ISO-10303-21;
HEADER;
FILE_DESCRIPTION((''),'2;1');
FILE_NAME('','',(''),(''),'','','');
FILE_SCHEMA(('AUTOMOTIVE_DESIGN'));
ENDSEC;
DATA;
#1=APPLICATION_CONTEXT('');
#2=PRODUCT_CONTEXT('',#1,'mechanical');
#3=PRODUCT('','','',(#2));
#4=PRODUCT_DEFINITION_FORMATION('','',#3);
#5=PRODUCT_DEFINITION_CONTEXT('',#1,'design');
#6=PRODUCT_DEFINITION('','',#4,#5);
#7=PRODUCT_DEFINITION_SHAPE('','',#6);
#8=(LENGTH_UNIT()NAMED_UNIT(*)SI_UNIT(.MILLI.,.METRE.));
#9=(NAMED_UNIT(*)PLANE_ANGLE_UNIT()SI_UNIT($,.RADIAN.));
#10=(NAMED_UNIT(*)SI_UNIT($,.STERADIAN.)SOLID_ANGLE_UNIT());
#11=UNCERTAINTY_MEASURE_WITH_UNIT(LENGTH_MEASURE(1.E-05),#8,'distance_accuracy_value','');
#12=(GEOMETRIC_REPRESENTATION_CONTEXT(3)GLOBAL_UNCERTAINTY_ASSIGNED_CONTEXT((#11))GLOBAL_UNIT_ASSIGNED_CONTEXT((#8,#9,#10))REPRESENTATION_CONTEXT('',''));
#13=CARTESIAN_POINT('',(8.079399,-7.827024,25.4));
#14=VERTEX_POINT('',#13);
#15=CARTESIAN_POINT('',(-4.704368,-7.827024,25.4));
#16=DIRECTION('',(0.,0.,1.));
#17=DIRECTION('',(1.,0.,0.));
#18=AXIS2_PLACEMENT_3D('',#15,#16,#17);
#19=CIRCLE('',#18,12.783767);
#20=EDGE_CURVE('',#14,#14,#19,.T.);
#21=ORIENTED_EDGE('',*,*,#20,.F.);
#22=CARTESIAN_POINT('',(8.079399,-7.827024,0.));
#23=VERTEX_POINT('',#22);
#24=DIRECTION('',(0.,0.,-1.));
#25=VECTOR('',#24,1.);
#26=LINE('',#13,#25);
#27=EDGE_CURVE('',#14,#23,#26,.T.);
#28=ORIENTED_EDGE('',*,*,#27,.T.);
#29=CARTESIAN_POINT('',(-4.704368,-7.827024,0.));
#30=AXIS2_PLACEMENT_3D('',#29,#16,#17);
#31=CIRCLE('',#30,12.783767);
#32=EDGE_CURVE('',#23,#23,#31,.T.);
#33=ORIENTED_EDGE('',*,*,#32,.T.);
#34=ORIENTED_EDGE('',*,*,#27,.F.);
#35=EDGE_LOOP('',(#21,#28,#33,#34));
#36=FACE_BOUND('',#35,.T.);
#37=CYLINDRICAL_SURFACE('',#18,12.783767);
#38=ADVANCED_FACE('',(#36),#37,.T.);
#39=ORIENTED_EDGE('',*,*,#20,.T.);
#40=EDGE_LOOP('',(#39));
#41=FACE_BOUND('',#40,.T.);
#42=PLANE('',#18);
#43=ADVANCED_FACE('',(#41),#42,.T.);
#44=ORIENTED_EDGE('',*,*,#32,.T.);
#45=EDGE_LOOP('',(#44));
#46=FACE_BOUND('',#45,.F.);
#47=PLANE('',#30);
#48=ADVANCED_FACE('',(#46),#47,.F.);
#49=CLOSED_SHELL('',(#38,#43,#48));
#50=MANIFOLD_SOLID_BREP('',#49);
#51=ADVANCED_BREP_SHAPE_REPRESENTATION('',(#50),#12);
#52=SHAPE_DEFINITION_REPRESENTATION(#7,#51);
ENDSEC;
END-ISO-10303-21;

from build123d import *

# Parameters (mm, degrees)
F0_W     = 69.465278
F0_H     = 106.150199
F1_DEPTH = 25.4
F2_R     = 5.08
F3_R     = 12.783767
F4_DEPTH = 25.4


with BuildPart() as f1:
    # F0 (on Top) → F1 (new body)
    with BuildSketch(Plane.XY):
        with Locations((-1.492229, 2.367309)):
            Rectangle(F0_W, F0_H)
    extrude(amount=F1_DEPTH)

    # F2
    f2_edges = [f1.edges().sort_by_distance(p)[0] for p in [
        (33.24041, 2.367308, 25.4),
        (-1.492229, -50.707791, 25.4),
        (-36.224868, 2.367308, 25.4),
        (-1.492229, 55.442408, 25.4),
        (33.24041, -50.707791, 12.7),
        (33.24041, 55.442408, 12.7),
        (-36.224868, -50.707791, 12.7),
        (-36.224868, 55.442408, 12.7),
    ]]
    fillet(f2_edges, radius=F2_R)

    # F3 (on face) → F4 (intersect)
    with BuildSketch(Plane.XY.offset(25.4)):
        with Locations((-4.704368, -7.827024)):
            Circle(F3_R)
    extrude(amount=-F4_DEPTH, mode=Mode.INTERSECT)


solid = f1.part
